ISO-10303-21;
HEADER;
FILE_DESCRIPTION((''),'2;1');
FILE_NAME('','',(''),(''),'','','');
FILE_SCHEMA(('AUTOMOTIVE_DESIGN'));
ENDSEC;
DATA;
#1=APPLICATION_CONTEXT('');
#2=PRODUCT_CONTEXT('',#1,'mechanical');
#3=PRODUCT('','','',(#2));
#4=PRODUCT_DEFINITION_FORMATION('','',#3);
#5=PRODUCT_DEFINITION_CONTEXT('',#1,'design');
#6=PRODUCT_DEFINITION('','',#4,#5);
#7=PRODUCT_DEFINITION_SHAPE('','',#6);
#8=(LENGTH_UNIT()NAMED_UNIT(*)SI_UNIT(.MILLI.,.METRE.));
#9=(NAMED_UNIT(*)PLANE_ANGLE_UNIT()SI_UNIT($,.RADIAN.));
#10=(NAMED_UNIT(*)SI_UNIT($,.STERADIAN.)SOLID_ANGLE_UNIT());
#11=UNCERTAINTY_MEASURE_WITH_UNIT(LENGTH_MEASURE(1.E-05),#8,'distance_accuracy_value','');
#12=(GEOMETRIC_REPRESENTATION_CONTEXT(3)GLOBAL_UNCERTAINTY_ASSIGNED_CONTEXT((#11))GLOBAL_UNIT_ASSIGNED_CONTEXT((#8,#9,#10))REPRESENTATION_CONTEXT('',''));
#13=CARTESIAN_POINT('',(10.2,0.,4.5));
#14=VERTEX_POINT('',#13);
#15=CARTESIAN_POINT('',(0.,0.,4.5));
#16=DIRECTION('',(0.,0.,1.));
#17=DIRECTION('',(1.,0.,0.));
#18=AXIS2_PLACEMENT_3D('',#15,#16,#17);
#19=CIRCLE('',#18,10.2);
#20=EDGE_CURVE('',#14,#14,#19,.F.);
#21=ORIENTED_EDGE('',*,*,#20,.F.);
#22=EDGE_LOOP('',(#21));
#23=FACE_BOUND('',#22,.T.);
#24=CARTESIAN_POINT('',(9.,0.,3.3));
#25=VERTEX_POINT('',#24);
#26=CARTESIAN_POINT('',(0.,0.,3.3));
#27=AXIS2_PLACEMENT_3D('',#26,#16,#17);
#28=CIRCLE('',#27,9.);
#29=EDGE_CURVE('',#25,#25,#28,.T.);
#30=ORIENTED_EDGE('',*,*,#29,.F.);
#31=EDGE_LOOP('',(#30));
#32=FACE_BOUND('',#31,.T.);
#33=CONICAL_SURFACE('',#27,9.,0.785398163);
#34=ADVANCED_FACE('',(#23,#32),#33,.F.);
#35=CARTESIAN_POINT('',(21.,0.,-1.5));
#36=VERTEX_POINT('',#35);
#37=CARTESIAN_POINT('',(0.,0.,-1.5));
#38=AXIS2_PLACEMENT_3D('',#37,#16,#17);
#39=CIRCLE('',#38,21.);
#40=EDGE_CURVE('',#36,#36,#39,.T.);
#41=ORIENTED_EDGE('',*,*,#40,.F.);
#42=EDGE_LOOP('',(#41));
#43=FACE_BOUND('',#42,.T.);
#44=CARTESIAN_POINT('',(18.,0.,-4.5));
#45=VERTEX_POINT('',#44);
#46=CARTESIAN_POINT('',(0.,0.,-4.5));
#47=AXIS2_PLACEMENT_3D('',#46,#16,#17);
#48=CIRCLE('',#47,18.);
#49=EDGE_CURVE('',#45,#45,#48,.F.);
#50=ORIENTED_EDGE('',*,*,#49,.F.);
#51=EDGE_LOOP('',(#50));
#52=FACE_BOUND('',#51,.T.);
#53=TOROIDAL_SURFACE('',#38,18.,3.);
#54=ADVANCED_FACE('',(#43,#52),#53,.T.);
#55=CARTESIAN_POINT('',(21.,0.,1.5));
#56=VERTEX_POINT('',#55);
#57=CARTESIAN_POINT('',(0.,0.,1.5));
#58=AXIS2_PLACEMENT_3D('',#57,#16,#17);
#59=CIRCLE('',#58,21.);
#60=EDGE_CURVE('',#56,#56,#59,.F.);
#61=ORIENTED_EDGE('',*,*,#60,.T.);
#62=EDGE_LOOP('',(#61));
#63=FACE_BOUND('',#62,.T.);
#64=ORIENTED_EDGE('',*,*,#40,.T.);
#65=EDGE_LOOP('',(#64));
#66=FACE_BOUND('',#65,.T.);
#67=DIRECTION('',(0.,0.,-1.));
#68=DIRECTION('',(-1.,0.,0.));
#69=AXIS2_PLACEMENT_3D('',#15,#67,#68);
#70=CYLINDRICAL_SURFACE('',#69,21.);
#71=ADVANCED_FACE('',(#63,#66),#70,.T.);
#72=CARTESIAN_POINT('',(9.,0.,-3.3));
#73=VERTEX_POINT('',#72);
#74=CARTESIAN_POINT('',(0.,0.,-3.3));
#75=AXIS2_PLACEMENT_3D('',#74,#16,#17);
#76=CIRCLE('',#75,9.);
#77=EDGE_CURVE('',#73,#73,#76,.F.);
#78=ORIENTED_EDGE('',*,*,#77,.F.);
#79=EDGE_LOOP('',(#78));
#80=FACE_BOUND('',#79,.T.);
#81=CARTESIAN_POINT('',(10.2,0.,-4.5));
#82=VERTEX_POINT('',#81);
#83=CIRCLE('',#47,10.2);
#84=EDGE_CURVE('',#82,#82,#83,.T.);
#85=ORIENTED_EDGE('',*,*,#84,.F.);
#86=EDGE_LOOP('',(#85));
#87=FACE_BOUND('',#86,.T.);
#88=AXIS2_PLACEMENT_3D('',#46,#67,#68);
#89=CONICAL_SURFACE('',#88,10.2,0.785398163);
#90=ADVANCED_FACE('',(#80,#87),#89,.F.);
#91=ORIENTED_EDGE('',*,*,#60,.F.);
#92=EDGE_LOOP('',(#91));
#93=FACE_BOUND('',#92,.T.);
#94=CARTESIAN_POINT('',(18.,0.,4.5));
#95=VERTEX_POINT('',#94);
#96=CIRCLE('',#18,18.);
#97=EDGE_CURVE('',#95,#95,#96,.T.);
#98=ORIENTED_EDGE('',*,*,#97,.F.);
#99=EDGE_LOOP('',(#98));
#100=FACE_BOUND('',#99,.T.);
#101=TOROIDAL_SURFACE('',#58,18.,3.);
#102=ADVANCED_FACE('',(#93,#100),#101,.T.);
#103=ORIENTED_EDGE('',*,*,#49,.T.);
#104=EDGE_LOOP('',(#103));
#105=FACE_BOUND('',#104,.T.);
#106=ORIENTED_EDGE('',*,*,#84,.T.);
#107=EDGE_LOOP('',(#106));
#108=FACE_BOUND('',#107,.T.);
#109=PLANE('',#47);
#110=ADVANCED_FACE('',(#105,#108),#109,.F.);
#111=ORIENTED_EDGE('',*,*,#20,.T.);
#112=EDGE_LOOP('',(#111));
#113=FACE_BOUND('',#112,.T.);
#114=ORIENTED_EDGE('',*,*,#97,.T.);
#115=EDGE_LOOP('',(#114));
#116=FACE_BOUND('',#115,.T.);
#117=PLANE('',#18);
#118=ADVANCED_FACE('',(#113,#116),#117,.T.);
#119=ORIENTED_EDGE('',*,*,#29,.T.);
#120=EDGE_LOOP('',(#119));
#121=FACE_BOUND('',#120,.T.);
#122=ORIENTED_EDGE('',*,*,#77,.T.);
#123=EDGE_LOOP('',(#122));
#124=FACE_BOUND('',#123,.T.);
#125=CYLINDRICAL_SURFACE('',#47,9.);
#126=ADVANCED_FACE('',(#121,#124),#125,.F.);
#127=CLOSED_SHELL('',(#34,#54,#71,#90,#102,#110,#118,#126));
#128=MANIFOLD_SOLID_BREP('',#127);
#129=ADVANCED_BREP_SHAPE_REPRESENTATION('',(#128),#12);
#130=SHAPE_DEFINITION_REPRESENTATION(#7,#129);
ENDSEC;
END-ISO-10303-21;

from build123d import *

# Parameters (mm, degrees)
SKETCH_1_R          = 35
EXTRUDE_1_DEPTH     = 7.5
FILLET_1_R          = 5
FILLET_2_R          = 5
SKETCH_2_R          = 15
CUT_EXTRUDE_1_DEPTH = 15
CHAMFER_1_SIZE      = 2
CHAMFER_2_SIZE      = 2
SCALE_1_SCALE       = 0.6


with BuildPart() as part:
    # 草图1 → 凸台-拉伸1 (new, symmetric)
    with BuildSketch(Plane.XY):
        Circle(SKETCH_1_R)
    extrude(amount=EXTRUDE_1_DEPTH, both=True)

    # 圆角1
    fillet_1_edges = [part.edges().sort_by_distance(p)[0] for p in [
        (-35, 0, 7.5),
    ]]
    fillet(fillet_1_edges, radius=FILLET_1_R)

    # 圆角2
    fillet_2_edges = [part.edges().sort_by_distance(p)[0] for p in [
        (-35, 0, -7.5),
    ]]
    fillet(fillet_2_edges, radius=FILLET_2_R)

    # 草图2 → 切除-拉伸1 (cut)
    with BuildSketch(Plane.XY.offset(7.5)):
        Circle(SKETCH_2_R)
    extrude(amount=-CUT_EXTRUDE_1_DEPTH, mode=Mode.SUBTRACT)

    # 倒角1
    chamfer_1_edges = [part.edges().sort_by_distance(p)[0] for p in [
        (-15, 0, 7.5),
    ]]
    chamfer(chamfer_1_edges, length=CHAMFER_1_SIZE)

    # 倒角2
    chamfer_2_edges = [part.edges().sort_by_distance(p)[0] for p in [
        (-15, 0, -7.5),
    ]]
    chamfer(chamfer_2_edges, length=CHAMFER_2_SIZE)


with BuildPart() as part_1:
    # 缩放比例1: scaled about (0, 0, 0)
    add(part.part.scale(SCALE_1_SCALE))


solid = part_1.part
